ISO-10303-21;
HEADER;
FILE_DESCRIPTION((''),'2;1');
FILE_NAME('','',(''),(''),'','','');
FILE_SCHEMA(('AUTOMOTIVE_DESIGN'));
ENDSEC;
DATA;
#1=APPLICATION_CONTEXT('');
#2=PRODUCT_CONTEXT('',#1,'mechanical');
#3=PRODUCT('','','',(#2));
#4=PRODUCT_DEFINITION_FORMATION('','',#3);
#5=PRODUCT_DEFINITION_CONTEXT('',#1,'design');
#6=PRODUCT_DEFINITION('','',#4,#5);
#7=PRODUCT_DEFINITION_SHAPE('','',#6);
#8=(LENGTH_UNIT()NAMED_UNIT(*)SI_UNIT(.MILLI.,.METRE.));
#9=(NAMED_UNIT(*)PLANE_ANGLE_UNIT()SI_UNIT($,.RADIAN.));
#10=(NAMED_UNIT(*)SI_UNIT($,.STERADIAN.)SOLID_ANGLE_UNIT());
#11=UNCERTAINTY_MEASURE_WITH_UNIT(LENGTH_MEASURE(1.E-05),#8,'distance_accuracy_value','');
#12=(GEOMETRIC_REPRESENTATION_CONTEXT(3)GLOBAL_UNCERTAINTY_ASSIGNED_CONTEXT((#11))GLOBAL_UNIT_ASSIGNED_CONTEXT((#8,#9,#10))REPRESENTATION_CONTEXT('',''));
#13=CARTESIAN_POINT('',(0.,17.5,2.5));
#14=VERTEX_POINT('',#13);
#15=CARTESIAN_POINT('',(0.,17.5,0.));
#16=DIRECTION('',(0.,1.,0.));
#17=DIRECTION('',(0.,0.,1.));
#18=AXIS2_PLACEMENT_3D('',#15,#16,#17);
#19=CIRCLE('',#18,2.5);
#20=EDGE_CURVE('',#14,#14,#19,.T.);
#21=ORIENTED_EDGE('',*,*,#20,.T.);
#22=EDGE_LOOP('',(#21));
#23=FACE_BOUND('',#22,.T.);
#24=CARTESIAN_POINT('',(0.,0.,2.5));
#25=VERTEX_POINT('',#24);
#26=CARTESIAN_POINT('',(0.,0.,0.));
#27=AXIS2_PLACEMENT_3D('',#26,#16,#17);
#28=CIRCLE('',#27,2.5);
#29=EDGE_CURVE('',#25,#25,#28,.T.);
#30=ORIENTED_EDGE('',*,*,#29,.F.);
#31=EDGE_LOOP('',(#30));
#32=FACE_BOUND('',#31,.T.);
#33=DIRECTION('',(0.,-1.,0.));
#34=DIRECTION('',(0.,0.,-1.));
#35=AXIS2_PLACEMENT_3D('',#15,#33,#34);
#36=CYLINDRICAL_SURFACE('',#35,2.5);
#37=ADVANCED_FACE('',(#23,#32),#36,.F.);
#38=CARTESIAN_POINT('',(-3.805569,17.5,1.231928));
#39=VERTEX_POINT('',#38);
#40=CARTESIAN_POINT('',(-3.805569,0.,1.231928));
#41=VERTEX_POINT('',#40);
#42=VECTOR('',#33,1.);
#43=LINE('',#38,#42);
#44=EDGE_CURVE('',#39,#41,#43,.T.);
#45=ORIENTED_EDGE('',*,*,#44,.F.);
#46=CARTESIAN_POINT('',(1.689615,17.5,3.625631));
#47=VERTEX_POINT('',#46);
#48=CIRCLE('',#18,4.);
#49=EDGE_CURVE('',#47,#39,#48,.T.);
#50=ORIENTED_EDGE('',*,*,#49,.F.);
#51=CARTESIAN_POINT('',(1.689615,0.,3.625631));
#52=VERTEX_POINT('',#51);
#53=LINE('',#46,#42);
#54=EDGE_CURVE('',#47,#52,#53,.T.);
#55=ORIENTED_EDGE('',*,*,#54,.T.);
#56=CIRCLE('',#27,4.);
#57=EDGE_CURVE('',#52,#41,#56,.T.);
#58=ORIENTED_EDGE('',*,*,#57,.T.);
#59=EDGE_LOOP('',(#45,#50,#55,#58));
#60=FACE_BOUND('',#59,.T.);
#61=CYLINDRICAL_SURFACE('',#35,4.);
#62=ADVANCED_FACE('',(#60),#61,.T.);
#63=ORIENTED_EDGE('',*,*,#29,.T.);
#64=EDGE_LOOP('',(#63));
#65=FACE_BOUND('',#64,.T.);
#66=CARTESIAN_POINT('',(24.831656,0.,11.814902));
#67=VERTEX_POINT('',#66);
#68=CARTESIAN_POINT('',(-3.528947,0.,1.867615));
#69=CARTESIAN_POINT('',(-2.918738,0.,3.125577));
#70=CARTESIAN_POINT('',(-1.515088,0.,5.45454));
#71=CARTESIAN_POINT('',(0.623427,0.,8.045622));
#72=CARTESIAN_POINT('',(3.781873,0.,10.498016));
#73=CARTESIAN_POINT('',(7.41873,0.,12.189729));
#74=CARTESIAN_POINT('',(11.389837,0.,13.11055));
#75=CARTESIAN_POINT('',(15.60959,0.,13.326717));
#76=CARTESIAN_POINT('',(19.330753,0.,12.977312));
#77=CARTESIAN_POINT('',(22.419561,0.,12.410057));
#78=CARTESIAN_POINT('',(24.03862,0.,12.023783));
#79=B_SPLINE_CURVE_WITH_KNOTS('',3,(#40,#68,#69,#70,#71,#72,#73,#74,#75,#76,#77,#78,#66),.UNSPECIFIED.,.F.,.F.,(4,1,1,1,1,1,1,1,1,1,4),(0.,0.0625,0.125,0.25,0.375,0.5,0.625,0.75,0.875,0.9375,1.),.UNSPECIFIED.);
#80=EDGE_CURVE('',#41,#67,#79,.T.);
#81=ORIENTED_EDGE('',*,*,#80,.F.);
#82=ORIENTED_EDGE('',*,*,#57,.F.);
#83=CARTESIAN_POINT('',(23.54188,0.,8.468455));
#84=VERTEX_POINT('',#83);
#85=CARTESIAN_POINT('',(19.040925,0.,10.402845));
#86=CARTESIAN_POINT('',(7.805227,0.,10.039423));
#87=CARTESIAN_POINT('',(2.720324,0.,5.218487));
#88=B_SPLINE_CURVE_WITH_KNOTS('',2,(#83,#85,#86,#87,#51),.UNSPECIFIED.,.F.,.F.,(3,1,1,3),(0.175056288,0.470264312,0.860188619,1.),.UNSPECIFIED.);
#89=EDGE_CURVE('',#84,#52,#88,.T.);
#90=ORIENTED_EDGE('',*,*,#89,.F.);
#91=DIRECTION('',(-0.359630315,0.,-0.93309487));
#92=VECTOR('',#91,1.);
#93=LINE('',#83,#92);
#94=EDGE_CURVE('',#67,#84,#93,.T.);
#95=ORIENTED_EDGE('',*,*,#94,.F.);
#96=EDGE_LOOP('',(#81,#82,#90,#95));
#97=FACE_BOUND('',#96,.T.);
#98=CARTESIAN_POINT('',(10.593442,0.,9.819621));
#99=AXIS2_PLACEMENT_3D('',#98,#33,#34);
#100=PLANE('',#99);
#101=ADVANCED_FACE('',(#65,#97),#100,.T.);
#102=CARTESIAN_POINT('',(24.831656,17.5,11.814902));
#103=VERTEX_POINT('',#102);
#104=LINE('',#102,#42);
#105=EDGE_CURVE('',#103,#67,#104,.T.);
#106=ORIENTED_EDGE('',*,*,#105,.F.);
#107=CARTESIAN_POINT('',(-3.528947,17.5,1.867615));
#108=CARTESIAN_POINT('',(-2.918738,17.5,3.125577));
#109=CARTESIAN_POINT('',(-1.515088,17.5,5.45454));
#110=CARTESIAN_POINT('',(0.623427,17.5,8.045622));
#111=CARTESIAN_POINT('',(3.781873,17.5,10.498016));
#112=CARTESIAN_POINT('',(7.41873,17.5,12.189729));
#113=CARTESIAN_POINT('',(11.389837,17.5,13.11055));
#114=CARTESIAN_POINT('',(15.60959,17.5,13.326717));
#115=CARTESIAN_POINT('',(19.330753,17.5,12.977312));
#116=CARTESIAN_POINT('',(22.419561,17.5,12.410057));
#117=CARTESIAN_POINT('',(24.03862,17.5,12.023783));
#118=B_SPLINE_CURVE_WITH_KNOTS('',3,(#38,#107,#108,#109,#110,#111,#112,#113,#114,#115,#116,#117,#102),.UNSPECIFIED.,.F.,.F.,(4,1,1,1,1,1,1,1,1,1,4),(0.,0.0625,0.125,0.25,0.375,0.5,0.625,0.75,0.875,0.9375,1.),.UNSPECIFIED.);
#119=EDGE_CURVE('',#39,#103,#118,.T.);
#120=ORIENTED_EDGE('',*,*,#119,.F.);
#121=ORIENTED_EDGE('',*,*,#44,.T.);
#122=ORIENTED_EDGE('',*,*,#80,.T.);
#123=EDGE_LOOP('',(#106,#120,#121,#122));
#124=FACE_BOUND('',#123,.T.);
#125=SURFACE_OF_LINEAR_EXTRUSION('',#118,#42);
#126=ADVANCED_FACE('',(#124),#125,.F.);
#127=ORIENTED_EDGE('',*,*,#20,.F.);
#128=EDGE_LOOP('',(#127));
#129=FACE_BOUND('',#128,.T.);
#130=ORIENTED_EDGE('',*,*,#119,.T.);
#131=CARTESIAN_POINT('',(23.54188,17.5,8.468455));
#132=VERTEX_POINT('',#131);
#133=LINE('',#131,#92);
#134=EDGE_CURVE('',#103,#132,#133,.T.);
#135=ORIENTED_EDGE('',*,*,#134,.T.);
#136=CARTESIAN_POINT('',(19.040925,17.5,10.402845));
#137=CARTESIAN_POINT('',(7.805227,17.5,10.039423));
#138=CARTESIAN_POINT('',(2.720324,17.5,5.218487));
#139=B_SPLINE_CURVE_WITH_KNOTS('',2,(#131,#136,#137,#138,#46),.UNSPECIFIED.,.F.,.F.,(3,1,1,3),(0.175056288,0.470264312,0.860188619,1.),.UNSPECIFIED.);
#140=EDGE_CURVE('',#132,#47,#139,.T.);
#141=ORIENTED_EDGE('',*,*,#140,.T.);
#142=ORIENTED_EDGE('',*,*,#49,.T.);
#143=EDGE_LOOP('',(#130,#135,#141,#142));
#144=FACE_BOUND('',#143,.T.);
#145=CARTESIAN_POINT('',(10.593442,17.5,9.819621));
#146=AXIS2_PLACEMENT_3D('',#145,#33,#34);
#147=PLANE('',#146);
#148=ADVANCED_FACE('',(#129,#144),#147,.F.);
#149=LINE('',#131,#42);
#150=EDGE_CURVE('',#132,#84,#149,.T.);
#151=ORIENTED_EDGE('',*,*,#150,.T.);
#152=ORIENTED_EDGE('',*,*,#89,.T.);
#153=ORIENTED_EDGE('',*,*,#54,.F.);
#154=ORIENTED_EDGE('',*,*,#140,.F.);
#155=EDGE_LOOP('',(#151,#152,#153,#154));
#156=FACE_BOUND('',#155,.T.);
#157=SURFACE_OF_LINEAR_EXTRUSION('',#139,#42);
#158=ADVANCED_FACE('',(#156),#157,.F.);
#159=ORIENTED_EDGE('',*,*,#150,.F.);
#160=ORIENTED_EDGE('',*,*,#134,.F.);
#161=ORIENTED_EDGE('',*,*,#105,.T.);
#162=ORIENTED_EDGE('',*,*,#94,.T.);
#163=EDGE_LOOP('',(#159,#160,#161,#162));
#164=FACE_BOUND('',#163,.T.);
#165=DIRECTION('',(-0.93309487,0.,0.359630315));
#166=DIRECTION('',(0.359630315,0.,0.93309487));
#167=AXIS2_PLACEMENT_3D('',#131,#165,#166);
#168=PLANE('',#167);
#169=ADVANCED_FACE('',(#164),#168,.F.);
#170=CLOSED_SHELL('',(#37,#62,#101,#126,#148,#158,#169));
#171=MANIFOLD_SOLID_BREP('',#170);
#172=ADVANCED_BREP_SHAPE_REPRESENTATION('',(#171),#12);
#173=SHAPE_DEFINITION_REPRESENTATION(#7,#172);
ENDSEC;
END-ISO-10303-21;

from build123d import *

# Parameters (mm, degrees)
SKETCH1_R           = 2.5
BOSS_EXTRUDE1_DEPTH = 17.5


with BuildPart() as part:
    # Sketch1 → Boss-Extrude1 (new body)
    with BuildSketch(Plane(origin=(0, 0, 0), x_dir=(1, 0, 0), z_dir=(0, 1, 0))):
        with BuildLine():
            Line((23.541879595, -8.468455204), (24.8316558, -11.814901575))
            add(Edge.make_bspline(
                [(-3.805568845, -1.231927661), (-3.528946614, -1.867614728), (-2.918738419, -3.125576948), (-1.515087953, -5.45453999), (0.623426846, -8.045621597), (3.781873409, -10.498015789), (7.418729789, -12.189728632), (11.38983742, -13.110549791), (15.60959038, -13.326716755), (19.330752619, -12.977312299), (22.419560669, -12.410056853), (24.038619789, -12.023782628), (24.8316558, -11.814901575)],
                knots=[0, 0, 0, 0, 0.0625, 0.125, 0.25, 0.375, 0.5, 0.625, 0.75, 0.875, 0.9375, 1, 1, 1, 1], degree=3))
            ThreePointArc((-3.805568845, -1.231927661), (1.597426024, 3.667182856), (1.689614598, -3.625631326))
            add(Edge.make_bspline(
                [(1.689614598, -3.625631326), (2.720324256, -5.218487164), (7.805226841, -10.039422802), (19.040924986, -10.402845427), (23.541879595, -8.468455204)],
                knots=[0.175056288, 0.175056288, 0.175056288, 0.314867668, 0.704791976, 1, 1, 1], degree=2))
        make_face()
        with Locations(Location((0, 0, 0), (0, 0, 270))):
            Circle(SKETCH1_R, mode=Mode.SUBTRACT)
    extrude(amount=BOSS_EXTRUDE1_DEPTH)


solid = part.part
